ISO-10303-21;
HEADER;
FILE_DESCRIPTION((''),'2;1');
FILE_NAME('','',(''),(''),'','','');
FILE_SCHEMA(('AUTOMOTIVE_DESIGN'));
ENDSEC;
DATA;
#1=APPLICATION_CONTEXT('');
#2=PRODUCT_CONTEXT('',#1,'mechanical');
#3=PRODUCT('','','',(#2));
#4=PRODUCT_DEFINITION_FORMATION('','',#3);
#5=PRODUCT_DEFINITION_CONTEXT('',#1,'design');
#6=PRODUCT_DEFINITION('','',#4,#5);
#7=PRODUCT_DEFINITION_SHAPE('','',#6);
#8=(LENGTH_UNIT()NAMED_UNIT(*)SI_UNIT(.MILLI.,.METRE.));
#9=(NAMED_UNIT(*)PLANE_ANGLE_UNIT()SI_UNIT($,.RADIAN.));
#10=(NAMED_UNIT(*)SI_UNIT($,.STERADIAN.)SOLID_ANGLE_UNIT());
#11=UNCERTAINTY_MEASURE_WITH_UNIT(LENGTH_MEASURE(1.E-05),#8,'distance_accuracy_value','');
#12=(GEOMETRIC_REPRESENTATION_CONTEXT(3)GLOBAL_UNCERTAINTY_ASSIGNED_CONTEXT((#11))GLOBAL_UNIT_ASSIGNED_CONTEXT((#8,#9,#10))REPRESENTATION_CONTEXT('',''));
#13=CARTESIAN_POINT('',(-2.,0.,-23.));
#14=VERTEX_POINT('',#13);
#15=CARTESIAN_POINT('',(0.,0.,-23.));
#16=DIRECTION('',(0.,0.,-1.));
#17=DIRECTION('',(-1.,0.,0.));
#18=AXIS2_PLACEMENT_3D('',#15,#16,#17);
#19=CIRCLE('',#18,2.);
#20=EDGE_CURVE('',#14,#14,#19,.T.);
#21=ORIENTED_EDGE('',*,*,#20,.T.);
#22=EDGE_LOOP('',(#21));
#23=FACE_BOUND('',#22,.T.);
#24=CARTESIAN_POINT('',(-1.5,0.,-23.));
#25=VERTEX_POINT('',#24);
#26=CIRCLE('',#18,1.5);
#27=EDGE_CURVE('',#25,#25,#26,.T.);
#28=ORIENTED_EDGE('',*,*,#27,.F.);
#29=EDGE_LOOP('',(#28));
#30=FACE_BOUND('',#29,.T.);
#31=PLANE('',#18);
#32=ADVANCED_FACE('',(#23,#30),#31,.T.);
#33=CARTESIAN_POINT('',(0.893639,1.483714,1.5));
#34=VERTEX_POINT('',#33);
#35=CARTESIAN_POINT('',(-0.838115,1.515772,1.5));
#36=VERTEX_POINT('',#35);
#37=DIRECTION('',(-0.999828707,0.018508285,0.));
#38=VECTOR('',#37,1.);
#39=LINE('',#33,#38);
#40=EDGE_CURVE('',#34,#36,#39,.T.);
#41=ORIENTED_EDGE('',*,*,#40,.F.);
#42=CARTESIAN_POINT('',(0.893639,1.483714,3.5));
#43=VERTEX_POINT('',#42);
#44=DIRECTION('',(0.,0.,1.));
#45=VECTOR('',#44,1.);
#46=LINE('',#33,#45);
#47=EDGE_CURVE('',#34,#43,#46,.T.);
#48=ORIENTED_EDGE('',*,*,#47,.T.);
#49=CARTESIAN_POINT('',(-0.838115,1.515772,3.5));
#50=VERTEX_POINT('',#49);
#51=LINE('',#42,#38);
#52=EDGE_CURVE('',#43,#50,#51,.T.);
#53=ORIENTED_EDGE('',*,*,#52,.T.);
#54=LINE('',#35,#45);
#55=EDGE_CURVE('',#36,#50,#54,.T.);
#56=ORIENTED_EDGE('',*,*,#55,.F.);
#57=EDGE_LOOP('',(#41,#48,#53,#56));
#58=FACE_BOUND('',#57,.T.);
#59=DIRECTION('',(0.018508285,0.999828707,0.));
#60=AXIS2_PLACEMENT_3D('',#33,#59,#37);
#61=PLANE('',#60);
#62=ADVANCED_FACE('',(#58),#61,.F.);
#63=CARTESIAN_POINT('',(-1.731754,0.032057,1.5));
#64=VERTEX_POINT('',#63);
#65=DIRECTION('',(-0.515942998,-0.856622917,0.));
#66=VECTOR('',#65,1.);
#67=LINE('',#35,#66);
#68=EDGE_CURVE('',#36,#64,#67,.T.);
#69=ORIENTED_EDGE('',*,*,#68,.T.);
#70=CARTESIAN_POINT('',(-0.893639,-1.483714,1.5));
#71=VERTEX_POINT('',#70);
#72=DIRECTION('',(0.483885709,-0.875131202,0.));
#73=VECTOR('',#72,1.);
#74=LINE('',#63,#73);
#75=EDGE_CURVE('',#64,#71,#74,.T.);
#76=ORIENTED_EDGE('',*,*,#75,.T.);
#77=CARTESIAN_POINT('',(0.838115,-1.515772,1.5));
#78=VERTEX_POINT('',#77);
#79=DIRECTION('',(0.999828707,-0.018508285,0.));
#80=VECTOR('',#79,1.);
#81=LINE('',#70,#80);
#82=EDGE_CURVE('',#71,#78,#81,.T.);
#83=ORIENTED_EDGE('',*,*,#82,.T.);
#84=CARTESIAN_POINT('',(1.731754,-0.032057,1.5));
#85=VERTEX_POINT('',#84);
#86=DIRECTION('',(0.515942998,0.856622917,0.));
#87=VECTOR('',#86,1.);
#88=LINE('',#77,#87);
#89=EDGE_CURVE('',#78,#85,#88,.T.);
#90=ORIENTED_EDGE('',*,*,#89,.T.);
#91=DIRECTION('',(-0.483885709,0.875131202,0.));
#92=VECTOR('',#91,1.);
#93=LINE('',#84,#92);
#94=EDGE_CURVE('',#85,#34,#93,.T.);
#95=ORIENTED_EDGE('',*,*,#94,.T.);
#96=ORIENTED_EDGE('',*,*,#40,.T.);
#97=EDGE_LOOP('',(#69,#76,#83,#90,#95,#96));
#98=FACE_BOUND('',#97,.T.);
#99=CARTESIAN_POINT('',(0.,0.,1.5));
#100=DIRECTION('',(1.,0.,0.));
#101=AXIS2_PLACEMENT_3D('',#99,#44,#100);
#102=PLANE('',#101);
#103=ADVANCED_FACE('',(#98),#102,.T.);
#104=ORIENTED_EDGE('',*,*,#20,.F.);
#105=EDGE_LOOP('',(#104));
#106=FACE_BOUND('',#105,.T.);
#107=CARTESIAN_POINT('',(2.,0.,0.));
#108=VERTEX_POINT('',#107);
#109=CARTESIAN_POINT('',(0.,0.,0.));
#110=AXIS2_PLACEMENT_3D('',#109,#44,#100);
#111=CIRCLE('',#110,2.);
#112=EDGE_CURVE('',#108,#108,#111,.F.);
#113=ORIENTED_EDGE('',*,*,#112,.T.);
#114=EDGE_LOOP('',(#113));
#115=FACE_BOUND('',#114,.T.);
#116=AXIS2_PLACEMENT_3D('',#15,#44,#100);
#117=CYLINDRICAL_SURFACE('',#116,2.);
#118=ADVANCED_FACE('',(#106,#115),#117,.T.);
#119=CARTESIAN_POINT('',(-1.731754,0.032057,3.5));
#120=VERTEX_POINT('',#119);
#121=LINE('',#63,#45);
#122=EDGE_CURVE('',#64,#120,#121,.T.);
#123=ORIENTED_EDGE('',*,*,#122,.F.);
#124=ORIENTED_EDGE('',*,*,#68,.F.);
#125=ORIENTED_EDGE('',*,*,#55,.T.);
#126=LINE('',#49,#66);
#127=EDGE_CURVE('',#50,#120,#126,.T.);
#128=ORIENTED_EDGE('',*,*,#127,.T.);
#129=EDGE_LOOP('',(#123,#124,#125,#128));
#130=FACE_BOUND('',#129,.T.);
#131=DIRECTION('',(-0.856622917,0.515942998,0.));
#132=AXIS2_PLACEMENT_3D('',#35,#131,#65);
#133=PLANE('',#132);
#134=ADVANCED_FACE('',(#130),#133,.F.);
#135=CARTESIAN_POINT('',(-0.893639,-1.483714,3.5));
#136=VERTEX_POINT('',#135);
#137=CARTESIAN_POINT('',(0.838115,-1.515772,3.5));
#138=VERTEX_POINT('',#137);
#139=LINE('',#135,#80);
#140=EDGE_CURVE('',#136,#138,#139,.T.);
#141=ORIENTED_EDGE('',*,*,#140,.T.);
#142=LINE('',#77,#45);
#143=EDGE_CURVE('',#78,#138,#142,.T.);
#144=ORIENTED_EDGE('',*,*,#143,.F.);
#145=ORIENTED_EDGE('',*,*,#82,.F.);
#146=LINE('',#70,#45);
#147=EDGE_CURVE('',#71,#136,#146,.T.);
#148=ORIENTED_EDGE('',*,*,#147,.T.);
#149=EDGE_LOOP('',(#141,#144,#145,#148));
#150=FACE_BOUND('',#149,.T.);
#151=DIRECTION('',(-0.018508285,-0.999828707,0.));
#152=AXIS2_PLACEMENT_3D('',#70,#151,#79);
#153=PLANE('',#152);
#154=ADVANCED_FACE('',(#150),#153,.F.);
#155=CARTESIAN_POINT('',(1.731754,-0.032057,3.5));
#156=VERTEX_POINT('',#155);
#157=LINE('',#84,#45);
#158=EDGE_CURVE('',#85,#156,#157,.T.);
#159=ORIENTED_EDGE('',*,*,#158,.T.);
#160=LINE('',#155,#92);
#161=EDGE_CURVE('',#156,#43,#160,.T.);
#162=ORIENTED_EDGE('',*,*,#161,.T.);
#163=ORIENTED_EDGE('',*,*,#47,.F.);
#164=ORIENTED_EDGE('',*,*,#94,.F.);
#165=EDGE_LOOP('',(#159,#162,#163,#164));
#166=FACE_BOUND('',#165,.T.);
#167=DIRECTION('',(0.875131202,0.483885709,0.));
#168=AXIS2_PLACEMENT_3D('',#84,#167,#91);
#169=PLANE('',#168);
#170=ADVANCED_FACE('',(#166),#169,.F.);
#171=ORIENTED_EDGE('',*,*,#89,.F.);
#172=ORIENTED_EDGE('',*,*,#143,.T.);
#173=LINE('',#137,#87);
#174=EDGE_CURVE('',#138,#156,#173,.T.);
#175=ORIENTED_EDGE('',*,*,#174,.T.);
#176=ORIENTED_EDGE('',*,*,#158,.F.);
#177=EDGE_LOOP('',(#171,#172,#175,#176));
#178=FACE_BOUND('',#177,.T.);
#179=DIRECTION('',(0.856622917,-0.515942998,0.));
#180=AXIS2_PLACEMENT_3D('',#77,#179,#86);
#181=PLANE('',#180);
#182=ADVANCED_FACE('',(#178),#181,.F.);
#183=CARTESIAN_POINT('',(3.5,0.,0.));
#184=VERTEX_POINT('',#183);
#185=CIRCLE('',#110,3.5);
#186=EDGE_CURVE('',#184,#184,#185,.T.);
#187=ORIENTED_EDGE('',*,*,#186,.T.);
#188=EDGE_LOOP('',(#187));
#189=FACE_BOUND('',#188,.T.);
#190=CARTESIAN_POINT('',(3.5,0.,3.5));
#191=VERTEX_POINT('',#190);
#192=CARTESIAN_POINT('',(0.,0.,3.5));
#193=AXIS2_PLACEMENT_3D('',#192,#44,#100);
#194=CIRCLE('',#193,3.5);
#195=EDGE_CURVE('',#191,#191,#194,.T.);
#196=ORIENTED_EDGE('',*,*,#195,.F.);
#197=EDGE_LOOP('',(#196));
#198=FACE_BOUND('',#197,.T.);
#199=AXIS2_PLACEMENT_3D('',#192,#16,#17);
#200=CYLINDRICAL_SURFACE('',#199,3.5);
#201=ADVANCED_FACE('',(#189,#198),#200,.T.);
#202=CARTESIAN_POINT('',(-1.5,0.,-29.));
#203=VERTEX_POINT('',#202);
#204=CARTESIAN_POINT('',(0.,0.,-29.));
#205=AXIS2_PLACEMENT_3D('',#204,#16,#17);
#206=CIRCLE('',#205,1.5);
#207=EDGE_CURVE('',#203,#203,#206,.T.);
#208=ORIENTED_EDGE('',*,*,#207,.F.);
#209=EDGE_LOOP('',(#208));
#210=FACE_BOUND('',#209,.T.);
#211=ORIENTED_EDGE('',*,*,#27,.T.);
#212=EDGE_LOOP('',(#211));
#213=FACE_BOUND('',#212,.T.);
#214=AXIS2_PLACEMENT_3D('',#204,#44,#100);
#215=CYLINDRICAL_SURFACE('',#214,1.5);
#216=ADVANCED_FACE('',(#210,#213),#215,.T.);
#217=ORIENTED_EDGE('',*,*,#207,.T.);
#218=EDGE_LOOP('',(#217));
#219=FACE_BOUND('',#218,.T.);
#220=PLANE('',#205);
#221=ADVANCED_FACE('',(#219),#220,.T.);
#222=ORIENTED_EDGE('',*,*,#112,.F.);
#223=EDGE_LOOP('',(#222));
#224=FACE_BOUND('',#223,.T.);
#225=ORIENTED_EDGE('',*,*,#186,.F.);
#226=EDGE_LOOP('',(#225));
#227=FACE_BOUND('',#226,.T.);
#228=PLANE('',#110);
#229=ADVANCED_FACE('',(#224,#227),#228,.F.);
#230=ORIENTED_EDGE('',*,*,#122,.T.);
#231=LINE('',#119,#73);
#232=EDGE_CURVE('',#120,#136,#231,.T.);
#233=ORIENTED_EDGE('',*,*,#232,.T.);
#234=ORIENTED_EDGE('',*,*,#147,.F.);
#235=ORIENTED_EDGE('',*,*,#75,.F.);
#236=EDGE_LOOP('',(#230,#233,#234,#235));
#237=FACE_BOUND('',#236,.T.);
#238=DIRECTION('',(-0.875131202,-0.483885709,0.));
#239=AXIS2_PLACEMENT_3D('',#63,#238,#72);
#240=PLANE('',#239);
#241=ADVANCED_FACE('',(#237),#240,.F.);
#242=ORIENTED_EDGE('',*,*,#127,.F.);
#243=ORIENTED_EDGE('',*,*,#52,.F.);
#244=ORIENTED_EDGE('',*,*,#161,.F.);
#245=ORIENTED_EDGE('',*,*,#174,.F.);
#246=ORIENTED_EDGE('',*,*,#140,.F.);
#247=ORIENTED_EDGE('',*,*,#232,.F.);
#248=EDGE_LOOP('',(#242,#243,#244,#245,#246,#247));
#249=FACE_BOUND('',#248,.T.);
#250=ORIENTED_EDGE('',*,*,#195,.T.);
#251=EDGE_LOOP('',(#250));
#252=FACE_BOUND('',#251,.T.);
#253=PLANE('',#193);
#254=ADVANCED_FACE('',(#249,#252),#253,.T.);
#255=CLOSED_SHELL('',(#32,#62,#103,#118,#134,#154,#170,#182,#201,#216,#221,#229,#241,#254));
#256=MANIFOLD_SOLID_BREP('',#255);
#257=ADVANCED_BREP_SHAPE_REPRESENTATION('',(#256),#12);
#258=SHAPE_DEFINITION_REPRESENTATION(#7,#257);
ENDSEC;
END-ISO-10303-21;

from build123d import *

# Parameters (mm, degrees)
SKETCH_1_R          = 3.5
EXTRUDE_1_DEPTH     = 3.5
CUT_EXTRUDE_1_DEPTH = 2
SKETCH_3_R          = 2
EXTRUDE_2_DEPTH     = 23
SKETCH_4_R          = 1.5
EXTRUDE_3_DEPTH     = 6


with BuildPart() as part:
    # 草图1 → 凸台-拉伸1 (new body)
    with BuildSketch(Plane.XY):
        Circle(SKETCH_1_R)
    extrude(amount=EXTRUDE_1_DEPTH)

    # 草图2 → 切除-拉伸1 (cut)
    with BuildSketch(Plane.XY.offset(3.5)):
        Polygon((0.893639487, 1.483714416), (-0.838114632, 1.515771705), (-1.731754119, 0.03205729), (-0.893639487, -1.483714416), (0.838114632, -1.515771705), (1.731754119, -0.03205729), align=None)
    extrude(amount=-CUT_EXTRUDE_1_DEPTH, mode=Mode.SUBTRACT)

    # 草图3 → 凸台-拉伸2 (add)
    with BuildSketch(Plane(origin=(0, 0, 0), x_dir=(-1, 0, 0), z_dir=(0, 0, -1))):
        with Locations(Location((0, 0, 0), (0, 0, 180))):
            Circle(SKETCH_3_R)
    extrude(amount=EXTRUDE_2_DEPTH)

    # 草图4 → 凸台-拉伸3 (add)
    with BuildSketch(Plane(origin=(0, 0, -23), x_dir=(-1, 0, 0), z_dir=(0, 0, -1))):
        Circle(SKETCH_4_R)
    extrude(amount=EXTRUDE_3_DEPTH)


solid = part.part
